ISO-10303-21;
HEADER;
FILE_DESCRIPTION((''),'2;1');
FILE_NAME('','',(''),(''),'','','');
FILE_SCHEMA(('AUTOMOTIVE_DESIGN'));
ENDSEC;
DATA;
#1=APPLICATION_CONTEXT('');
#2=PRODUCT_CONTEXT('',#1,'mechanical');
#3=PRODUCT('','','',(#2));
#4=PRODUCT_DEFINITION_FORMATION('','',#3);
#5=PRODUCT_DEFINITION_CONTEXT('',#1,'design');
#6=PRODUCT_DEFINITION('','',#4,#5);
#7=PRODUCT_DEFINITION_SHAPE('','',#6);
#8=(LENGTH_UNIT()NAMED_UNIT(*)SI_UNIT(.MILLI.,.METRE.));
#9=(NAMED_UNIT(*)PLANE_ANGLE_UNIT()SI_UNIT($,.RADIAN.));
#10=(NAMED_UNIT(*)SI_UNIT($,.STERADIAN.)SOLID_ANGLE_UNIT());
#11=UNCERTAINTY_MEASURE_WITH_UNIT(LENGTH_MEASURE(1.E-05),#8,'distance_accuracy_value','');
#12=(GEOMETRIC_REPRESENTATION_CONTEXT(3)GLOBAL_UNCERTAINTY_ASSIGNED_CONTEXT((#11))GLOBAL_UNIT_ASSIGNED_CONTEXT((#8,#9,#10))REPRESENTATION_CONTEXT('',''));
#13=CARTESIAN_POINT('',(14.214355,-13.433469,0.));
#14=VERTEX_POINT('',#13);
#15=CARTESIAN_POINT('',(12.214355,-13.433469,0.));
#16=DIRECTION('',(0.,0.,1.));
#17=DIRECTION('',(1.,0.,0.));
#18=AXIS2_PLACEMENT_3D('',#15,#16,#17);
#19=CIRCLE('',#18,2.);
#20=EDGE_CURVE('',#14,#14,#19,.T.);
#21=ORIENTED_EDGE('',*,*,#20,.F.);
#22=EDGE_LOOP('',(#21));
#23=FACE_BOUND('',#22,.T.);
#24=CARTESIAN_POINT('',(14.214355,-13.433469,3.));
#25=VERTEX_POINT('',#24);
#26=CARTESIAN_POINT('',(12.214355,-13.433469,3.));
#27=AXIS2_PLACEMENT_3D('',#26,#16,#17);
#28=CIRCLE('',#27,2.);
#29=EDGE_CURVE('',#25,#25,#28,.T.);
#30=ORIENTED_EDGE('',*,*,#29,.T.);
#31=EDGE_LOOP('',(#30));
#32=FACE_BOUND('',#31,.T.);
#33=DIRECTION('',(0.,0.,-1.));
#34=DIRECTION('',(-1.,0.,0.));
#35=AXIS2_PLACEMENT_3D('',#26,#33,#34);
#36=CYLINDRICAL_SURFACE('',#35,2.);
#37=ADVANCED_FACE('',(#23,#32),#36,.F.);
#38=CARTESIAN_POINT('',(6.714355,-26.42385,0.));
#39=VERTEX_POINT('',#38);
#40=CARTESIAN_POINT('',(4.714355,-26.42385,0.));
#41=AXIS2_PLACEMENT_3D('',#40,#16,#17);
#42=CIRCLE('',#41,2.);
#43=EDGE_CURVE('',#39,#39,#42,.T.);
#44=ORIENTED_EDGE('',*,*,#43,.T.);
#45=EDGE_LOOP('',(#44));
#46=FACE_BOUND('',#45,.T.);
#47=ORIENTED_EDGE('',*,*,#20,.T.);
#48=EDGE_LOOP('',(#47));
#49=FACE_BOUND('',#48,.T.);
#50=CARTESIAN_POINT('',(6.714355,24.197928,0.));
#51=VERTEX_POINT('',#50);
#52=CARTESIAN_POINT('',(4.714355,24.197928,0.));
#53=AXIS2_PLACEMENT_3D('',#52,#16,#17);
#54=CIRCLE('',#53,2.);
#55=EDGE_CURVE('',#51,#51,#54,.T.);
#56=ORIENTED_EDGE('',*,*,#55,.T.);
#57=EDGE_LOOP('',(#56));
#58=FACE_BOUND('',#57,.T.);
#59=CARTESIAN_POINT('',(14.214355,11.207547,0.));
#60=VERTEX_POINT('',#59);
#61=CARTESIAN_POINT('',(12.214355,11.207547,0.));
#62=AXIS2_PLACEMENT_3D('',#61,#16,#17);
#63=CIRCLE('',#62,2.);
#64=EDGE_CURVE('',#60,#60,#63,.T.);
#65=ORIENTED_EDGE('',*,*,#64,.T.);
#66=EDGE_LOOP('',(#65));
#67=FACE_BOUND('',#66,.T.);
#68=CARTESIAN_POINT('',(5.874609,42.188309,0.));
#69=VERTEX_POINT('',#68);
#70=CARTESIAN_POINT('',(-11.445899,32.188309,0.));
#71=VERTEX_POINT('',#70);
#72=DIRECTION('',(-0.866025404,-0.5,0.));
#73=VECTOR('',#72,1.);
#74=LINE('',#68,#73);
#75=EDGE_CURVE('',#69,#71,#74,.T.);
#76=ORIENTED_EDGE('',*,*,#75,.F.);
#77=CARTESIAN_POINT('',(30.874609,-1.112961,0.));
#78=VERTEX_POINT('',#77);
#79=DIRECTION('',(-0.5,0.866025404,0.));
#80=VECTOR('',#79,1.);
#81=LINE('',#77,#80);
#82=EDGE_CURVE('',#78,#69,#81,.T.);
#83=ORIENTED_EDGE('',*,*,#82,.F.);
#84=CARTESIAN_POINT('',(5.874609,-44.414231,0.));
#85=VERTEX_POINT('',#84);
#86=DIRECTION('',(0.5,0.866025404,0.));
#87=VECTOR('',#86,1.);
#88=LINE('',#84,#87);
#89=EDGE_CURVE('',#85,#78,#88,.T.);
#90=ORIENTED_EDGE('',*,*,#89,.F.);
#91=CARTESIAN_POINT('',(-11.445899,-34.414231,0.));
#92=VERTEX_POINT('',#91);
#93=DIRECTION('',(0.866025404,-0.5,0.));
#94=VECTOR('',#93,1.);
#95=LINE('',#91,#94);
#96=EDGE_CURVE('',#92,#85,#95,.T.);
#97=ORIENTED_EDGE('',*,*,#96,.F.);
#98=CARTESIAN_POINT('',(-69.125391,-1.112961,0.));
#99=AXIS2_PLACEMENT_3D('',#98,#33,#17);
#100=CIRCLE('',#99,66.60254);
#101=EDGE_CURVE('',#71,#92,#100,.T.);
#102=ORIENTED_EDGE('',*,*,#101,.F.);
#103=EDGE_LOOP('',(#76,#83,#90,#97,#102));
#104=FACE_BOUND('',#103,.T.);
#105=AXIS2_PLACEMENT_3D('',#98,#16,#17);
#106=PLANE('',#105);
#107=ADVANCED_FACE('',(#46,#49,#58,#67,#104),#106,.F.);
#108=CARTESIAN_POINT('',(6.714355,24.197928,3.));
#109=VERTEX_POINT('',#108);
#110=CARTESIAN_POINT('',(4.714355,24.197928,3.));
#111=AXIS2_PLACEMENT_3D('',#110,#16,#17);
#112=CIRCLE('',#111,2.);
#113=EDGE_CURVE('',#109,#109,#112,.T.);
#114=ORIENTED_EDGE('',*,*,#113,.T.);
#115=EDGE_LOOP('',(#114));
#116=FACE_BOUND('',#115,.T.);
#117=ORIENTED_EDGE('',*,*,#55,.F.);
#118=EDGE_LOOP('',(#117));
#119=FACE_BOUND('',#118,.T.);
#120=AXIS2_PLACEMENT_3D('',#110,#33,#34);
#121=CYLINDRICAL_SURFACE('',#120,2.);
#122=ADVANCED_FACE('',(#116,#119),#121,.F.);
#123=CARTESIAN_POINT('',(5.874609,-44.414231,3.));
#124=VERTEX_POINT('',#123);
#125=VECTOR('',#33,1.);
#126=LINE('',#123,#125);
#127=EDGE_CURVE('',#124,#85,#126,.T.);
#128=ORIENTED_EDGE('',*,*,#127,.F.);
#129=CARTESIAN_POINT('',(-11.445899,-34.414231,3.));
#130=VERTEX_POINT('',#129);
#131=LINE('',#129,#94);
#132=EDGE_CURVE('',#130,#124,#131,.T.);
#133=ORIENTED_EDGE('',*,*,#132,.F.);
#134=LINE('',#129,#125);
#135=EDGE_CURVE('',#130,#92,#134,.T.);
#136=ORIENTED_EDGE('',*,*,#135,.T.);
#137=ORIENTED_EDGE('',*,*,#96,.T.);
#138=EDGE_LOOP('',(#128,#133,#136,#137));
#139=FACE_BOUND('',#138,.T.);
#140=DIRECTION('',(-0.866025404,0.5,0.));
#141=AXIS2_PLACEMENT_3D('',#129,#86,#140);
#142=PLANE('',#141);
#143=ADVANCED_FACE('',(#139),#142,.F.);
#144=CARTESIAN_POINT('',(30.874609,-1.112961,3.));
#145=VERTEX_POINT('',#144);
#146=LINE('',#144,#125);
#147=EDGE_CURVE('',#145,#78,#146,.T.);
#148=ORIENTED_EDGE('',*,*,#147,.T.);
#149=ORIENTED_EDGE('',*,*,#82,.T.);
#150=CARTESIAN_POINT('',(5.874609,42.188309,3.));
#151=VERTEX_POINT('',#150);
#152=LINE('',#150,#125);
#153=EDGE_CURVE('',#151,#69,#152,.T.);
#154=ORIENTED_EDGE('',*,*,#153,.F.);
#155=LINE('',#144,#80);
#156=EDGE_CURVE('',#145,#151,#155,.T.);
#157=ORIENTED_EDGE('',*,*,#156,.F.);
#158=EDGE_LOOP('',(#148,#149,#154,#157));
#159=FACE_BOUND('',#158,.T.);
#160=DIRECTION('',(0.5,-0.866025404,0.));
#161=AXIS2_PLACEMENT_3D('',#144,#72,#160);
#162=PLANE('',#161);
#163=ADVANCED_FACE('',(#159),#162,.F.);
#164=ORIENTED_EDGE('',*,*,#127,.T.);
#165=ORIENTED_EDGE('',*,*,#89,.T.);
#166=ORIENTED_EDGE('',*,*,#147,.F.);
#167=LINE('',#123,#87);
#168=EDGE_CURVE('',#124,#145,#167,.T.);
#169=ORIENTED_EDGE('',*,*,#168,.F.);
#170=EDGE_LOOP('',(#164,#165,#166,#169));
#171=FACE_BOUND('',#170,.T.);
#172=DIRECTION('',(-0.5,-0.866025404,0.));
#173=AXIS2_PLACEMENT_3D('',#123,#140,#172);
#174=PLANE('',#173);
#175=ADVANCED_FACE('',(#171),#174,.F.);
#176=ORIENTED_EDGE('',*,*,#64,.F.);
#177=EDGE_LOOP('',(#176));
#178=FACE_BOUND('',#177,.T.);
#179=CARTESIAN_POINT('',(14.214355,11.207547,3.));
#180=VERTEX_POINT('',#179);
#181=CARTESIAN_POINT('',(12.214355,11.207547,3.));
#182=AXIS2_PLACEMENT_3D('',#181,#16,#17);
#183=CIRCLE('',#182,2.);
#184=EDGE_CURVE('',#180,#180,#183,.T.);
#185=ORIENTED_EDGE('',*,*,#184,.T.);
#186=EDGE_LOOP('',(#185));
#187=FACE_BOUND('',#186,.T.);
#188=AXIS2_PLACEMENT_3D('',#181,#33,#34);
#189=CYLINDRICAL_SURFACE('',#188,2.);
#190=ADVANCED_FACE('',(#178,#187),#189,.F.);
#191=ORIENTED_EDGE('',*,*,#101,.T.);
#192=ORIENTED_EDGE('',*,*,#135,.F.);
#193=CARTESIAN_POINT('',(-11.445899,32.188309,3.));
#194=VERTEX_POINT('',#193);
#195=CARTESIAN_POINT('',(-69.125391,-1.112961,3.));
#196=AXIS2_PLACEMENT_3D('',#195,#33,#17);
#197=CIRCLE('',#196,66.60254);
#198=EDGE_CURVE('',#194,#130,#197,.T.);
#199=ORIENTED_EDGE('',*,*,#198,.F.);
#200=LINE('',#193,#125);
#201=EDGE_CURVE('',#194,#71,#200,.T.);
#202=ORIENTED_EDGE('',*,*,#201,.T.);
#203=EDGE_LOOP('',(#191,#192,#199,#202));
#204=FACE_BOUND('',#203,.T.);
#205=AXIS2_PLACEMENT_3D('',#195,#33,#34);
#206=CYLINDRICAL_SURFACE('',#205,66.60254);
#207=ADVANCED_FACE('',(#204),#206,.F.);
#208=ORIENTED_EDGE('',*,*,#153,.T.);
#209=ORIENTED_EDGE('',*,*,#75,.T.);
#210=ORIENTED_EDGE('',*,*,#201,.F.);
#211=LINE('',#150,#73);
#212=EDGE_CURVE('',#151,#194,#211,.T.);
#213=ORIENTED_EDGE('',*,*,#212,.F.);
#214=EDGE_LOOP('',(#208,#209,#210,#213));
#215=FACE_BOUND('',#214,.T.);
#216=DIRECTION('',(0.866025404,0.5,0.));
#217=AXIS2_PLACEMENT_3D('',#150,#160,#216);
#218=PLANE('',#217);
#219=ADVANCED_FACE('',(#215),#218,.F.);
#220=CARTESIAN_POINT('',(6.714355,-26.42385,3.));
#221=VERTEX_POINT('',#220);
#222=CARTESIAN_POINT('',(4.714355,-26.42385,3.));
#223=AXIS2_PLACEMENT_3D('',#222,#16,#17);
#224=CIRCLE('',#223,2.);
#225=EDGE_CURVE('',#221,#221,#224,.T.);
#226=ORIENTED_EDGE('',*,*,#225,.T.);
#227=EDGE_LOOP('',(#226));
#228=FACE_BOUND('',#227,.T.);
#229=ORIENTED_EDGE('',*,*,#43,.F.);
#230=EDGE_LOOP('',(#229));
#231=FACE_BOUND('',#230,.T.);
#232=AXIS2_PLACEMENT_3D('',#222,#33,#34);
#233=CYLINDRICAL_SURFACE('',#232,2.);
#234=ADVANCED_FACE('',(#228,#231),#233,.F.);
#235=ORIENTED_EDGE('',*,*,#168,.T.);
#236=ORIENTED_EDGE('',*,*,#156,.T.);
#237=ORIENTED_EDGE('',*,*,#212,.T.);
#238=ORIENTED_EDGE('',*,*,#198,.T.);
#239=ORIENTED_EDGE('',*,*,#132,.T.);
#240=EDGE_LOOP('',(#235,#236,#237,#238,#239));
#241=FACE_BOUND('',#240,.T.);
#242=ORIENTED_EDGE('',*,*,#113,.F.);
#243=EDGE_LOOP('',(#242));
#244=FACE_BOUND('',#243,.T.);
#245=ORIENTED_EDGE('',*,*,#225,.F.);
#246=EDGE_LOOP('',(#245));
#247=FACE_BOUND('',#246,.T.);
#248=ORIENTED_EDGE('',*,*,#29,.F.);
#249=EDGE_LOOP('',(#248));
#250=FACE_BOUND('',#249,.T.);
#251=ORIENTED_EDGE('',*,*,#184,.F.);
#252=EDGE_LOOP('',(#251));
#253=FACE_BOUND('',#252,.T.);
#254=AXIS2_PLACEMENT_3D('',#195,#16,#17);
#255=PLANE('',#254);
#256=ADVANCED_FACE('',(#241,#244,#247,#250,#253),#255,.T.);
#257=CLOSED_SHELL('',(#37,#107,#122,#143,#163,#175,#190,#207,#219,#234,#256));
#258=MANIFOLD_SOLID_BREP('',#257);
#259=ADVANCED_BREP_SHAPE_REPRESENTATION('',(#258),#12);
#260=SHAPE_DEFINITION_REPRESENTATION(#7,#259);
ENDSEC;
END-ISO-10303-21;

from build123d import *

# Parameters (mm, degrees)
SKETCH_1_R      = 2
EXTRUDE_1_DEPTH = 3


with BuildPart() as part:
    # 草图1 → 凸台-拉伸1 (new body)
    with BuildSketch(Plane.XY):
        with BuildLine():
            Line((30.874609077, -1.112961222), (5.874609077, 42.188308967))
            Line((5.874609077, 42.188308967), (-11.445898998, 32.188308967))
            ThreePointArc((-11.445898998, 32.188308967), (-2.522850544, -1.112961222), (-11.445898998, -34.414231411))
            Line((-11.445898998, -34.414231411), (5.874609077, -44.414231411))
            Line((5.874609077, -44.414231411), (30.874609077, -1.112961222))
        make_face()
        with Locations((4.714355039, -26.423850355)):
            Circle(SKETCH_1_R, mode=Mode.SUBTRACT)
        with Locations((12.214355039, -13.433469298)):
            Circle(SKETCH_1_R, mode=Mode.SUBTRACT)
        with Locations((12.214355039, 11.207546854)):
            Circle(SKETCH_1_R, mode=Mode.SUBTRACT)
        with Locations((4.714355039, 24.19792791)):
            Circle(SKETCH_1_R, mode=Mode.SUBTRACT)
    extrude(amount=EXTRUDE_1_DEPTH)


solid = part.part
